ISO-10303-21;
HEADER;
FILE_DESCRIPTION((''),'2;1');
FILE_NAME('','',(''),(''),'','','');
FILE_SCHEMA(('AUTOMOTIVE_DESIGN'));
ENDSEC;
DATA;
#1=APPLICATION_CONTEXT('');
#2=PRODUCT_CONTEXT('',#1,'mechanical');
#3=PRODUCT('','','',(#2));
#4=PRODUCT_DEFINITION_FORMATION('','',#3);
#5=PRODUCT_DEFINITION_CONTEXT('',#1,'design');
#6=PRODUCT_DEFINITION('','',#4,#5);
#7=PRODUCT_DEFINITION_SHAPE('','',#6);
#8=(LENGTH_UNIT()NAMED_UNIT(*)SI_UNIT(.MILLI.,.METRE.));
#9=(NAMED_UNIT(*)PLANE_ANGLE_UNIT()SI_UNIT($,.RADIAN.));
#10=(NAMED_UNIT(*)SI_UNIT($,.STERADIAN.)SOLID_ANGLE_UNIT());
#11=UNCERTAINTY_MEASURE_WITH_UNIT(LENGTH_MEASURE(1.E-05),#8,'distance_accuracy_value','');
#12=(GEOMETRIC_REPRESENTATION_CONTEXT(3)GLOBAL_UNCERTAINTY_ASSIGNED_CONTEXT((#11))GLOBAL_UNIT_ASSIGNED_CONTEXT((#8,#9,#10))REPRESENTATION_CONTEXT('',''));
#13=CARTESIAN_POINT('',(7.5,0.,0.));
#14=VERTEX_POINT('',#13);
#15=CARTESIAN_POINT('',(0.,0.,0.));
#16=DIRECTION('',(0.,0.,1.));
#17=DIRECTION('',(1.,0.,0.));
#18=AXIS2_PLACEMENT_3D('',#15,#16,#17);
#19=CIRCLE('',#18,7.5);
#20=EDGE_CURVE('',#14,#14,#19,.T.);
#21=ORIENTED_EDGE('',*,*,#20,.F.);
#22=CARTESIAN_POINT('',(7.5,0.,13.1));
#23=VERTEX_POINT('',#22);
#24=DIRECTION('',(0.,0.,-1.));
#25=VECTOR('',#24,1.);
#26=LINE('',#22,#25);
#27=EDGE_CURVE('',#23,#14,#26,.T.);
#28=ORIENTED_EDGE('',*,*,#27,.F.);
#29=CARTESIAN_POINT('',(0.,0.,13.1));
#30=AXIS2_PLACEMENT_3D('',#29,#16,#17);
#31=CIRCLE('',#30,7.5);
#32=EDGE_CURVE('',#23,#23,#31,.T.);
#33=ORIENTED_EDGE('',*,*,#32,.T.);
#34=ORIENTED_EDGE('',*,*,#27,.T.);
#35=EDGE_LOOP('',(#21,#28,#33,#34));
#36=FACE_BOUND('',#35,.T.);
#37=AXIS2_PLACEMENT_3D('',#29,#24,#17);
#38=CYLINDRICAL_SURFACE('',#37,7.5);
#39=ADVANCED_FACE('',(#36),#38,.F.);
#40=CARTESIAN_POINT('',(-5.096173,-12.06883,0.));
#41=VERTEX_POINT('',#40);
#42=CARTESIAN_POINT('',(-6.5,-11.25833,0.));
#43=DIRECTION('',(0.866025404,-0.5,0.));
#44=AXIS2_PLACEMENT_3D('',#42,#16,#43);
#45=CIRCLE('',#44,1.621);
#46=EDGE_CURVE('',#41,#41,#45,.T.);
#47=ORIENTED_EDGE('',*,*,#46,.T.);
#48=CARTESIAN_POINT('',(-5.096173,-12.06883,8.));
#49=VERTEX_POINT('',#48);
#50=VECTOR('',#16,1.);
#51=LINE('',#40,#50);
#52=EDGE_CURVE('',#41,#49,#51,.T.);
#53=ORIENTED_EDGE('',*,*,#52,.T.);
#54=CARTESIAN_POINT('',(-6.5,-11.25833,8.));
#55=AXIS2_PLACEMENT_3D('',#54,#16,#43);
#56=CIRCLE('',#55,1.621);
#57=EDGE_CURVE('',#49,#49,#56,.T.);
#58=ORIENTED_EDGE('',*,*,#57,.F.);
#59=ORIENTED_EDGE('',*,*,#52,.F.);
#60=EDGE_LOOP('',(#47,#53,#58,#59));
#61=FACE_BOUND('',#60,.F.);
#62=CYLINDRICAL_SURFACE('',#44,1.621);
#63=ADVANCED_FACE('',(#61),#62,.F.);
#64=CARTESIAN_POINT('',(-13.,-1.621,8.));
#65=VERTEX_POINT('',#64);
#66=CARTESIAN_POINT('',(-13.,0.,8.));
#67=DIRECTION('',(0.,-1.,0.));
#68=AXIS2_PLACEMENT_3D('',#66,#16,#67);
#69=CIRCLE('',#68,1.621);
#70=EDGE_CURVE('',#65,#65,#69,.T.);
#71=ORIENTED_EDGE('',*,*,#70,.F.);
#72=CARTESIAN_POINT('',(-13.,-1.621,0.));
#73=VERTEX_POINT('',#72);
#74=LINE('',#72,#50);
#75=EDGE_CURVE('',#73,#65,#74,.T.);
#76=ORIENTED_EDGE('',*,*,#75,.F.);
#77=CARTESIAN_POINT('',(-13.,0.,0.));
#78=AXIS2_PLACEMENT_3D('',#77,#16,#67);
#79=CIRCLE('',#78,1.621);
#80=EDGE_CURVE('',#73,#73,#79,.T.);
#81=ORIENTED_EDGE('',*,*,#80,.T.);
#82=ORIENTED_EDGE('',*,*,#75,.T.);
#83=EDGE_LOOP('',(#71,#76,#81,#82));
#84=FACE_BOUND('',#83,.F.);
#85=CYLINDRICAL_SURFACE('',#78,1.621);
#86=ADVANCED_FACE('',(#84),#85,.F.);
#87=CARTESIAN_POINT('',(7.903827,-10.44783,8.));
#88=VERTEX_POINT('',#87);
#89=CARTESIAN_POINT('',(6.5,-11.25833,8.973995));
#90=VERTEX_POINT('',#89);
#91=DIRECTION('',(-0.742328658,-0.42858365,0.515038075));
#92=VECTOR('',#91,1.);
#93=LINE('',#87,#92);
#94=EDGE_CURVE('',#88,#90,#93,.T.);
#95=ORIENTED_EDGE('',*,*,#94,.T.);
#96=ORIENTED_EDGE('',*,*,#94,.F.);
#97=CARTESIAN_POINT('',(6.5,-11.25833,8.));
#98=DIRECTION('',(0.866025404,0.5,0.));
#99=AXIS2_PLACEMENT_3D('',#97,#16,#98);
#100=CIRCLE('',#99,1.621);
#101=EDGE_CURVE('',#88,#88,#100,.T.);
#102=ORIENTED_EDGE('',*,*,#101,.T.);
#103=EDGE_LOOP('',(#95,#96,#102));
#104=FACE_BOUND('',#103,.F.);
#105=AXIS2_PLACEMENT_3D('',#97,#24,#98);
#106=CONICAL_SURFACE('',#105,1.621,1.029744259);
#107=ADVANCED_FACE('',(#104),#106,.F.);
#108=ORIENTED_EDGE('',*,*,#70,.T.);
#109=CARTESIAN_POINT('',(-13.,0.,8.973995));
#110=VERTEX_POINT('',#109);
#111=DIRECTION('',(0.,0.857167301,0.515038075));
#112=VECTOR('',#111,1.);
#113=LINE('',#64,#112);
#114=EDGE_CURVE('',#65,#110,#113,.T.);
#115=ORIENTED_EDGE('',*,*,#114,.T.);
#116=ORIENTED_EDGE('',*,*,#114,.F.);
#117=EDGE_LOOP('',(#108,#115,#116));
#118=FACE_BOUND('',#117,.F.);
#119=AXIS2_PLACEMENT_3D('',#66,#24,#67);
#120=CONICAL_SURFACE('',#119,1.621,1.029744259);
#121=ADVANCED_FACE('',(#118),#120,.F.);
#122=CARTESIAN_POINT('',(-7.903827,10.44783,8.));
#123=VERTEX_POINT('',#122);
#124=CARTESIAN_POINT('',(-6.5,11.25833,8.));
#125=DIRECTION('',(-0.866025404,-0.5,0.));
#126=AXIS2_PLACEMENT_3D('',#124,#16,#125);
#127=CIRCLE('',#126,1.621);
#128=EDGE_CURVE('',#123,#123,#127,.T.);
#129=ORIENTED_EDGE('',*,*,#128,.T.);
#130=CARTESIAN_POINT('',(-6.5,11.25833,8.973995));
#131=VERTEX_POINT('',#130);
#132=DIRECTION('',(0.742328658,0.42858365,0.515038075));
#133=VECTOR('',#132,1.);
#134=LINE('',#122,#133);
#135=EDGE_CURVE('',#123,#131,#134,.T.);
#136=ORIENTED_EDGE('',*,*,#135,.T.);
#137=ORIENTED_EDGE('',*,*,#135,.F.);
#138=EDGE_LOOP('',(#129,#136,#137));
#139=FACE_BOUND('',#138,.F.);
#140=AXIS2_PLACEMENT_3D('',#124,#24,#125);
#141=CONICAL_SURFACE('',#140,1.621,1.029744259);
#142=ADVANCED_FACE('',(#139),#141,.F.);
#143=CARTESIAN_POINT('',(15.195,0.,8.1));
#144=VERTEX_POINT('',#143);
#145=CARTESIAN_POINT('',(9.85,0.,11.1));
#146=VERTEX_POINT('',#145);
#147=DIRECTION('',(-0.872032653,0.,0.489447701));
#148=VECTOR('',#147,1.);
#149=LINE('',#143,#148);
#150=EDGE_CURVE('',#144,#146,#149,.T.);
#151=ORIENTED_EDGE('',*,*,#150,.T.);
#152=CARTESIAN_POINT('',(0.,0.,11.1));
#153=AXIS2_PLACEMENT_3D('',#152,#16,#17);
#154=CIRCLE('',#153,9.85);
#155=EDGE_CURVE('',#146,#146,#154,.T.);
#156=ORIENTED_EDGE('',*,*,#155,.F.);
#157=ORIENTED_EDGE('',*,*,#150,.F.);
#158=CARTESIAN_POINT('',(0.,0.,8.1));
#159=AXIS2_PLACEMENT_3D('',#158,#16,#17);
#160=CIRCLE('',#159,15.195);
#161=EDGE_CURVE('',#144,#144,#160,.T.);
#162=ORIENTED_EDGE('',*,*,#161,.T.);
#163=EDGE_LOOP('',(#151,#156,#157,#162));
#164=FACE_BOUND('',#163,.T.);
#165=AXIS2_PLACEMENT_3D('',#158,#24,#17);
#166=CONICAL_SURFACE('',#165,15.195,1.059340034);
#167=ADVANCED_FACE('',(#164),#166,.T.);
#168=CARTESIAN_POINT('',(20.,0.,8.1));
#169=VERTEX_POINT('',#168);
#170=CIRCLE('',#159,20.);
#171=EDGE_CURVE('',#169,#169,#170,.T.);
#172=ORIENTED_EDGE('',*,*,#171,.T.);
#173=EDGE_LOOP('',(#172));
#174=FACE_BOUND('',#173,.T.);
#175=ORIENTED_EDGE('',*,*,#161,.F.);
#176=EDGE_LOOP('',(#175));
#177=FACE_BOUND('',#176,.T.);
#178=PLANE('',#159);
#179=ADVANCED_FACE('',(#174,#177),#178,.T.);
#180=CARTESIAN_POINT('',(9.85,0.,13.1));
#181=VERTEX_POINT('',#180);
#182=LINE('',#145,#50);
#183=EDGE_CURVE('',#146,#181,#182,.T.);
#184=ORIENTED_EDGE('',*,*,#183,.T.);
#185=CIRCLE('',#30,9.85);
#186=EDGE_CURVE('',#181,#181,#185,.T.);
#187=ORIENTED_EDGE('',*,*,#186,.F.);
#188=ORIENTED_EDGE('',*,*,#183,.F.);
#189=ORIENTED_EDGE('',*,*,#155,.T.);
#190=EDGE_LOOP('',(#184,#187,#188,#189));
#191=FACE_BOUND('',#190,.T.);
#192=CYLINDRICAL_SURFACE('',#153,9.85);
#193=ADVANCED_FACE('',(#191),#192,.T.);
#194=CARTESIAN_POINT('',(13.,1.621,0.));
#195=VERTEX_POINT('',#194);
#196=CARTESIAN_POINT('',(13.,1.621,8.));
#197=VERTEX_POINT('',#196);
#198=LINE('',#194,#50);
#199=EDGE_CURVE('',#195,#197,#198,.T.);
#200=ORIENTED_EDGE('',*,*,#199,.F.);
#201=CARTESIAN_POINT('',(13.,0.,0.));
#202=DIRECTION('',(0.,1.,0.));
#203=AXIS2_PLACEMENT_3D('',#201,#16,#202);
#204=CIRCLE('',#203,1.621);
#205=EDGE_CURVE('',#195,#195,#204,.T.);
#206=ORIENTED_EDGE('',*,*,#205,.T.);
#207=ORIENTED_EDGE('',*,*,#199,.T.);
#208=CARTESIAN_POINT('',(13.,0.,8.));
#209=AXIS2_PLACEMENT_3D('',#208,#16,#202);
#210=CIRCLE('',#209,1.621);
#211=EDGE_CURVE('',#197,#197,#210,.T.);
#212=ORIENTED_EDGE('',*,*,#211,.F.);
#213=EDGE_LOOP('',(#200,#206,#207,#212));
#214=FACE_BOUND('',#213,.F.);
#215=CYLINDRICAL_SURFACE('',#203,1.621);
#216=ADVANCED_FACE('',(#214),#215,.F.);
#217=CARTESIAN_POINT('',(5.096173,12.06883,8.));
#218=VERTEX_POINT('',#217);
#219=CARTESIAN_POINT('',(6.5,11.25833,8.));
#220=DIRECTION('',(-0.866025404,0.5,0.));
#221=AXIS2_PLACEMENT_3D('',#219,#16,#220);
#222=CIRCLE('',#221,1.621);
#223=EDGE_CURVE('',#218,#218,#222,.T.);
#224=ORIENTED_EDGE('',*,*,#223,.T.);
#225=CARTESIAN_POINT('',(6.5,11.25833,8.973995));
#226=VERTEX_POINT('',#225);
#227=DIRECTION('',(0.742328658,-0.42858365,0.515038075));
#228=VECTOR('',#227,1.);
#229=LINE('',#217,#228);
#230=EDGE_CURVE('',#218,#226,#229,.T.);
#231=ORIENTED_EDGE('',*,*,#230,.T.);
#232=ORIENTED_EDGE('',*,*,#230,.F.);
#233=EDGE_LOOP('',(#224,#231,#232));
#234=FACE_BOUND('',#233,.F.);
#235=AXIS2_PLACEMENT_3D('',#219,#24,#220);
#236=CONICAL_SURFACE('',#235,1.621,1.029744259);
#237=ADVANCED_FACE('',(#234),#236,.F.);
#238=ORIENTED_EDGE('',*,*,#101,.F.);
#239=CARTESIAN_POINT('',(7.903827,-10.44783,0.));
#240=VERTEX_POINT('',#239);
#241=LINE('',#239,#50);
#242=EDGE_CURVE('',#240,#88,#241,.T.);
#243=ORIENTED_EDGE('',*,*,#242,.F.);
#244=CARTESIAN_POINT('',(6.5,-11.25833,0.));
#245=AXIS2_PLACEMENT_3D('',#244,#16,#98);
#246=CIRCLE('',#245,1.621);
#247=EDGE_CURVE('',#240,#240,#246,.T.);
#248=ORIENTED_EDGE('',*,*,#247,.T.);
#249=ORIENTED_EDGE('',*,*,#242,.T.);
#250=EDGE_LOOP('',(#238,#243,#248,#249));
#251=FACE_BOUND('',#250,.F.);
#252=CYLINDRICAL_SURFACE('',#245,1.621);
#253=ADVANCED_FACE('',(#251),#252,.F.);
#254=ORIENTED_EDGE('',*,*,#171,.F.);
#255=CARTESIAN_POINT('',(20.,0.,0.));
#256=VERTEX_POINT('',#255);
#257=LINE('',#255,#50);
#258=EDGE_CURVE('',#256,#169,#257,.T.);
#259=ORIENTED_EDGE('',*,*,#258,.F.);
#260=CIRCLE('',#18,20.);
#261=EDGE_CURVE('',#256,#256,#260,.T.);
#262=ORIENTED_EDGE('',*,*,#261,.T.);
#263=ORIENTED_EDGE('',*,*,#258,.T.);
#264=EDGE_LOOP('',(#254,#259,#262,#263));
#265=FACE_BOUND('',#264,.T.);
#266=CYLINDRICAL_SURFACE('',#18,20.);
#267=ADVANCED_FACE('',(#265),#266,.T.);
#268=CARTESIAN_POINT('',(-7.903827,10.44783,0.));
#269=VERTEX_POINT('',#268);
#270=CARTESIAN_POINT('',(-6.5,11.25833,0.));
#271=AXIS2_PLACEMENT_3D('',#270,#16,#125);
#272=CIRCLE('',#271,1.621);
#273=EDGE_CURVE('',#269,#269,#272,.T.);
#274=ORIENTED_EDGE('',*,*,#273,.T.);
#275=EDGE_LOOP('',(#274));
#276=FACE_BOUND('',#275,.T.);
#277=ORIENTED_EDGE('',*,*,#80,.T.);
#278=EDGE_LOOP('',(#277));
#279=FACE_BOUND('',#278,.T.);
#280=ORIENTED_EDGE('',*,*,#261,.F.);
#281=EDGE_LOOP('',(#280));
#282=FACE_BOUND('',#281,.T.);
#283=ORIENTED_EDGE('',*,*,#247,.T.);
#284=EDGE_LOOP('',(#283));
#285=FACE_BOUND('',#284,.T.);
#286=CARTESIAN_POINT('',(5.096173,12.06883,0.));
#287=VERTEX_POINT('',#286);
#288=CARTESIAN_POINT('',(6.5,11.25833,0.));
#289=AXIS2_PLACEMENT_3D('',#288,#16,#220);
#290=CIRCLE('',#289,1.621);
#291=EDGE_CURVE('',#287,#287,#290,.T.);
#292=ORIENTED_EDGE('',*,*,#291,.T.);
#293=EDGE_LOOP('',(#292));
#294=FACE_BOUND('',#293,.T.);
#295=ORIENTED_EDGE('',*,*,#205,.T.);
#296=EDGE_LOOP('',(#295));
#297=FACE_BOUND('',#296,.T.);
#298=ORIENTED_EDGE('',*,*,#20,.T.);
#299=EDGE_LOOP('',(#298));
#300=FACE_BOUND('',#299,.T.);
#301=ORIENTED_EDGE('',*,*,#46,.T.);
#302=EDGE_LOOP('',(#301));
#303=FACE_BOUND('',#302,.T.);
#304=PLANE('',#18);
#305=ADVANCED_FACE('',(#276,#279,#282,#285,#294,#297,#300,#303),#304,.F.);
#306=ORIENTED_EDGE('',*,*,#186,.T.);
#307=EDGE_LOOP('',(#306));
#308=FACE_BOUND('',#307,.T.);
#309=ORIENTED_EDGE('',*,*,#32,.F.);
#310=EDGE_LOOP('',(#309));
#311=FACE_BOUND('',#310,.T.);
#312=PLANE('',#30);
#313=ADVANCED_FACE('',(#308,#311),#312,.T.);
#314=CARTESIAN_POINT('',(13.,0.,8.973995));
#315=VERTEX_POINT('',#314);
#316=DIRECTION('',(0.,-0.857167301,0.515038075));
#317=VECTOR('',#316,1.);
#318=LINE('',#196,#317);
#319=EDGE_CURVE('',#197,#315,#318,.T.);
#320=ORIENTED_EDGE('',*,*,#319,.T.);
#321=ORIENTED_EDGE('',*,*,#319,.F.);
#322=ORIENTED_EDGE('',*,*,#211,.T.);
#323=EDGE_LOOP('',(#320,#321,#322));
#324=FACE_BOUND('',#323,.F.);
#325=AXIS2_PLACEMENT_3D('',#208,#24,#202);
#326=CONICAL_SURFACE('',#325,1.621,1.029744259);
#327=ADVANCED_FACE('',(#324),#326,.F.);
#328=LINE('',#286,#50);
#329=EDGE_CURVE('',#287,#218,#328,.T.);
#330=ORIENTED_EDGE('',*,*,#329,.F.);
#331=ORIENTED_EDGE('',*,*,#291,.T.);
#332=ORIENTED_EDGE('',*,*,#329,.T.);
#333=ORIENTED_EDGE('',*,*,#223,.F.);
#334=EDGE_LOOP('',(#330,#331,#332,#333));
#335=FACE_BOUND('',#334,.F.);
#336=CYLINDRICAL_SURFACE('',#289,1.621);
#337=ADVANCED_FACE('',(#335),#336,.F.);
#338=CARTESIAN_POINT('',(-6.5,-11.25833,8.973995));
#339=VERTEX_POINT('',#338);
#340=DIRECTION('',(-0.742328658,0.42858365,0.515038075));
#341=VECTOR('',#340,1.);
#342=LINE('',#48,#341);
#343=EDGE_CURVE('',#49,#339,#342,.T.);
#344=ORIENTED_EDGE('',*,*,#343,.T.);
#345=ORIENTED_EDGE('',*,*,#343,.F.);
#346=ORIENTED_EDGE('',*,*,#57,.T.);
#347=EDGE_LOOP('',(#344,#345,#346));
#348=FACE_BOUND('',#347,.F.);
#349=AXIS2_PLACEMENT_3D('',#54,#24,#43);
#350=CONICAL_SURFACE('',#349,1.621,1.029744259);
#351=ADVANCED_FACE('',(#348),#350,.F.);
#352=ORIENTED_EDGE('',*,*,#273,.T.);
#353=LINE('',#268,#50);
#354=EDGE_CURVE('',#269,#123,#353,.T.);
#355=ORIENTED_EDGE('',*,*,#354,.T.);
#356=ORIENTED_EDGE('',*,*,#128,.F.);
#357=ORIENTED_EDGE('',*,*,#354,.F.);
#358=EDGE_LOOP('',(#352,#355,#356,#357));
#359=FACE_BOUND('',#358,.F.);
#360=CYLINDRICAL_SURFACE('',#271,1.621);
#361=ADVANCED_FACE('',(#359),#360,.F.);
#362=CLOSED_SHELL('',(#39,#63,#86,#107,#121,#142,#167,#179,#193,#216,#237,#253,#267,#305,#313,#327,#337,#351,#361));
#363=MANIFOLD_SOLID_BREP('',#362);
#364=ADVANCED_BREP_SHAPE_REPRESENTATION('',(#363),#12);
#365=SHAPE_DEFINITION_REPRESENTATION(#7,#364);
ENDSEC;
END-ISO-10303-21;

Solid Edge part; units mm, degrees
sketch "Sketch1" plane through (0, 0, 0) normal (0, -1, 0) x (1, 0, 0)
  line L0 (7.5, 13.1) -> (7.5, 0)
  line L1 (7.5, 0) -> (20, 0)
  line L2 (20, 0) -> (20, 8.1)
  line L3 (20, 8.1) -> (15.195, 8.1)
  line L4 (15.195, 8.1) -> (9.85, 11.1)
  line L5 (9.85, 11.1) -> (9.85, 13.1)
  line L6 (9.85, 13.1) -> (7.5, 13.1)
  dimension "D1" = 7.5
  dimension "D2" = 5
  dimension "D3" = 13.1
  dimension "D4" = 9.85
  dimension "D5" = 20
  dimension "D6" = 15.195
  dimension "D7" = 2
revolve "RevolvedProtrusion1" add sketch "Sketch1" angle 360 about axis through (0, 0, 0) along (0, 0, 1)
hole "Agujero_1" at (13, 0, 0) direction (0, 0, 1) diameter 3.242 depth 8 tip angle 118 thread major 4 thread length 5
pattern_circular "Pattern1" count 6 over 360 about axis through (0, 0, 0) along (0, 0, -1) of "Agujero_1"
properties part number "1976-1200-004" material "Aluminio, 7075-T6"
